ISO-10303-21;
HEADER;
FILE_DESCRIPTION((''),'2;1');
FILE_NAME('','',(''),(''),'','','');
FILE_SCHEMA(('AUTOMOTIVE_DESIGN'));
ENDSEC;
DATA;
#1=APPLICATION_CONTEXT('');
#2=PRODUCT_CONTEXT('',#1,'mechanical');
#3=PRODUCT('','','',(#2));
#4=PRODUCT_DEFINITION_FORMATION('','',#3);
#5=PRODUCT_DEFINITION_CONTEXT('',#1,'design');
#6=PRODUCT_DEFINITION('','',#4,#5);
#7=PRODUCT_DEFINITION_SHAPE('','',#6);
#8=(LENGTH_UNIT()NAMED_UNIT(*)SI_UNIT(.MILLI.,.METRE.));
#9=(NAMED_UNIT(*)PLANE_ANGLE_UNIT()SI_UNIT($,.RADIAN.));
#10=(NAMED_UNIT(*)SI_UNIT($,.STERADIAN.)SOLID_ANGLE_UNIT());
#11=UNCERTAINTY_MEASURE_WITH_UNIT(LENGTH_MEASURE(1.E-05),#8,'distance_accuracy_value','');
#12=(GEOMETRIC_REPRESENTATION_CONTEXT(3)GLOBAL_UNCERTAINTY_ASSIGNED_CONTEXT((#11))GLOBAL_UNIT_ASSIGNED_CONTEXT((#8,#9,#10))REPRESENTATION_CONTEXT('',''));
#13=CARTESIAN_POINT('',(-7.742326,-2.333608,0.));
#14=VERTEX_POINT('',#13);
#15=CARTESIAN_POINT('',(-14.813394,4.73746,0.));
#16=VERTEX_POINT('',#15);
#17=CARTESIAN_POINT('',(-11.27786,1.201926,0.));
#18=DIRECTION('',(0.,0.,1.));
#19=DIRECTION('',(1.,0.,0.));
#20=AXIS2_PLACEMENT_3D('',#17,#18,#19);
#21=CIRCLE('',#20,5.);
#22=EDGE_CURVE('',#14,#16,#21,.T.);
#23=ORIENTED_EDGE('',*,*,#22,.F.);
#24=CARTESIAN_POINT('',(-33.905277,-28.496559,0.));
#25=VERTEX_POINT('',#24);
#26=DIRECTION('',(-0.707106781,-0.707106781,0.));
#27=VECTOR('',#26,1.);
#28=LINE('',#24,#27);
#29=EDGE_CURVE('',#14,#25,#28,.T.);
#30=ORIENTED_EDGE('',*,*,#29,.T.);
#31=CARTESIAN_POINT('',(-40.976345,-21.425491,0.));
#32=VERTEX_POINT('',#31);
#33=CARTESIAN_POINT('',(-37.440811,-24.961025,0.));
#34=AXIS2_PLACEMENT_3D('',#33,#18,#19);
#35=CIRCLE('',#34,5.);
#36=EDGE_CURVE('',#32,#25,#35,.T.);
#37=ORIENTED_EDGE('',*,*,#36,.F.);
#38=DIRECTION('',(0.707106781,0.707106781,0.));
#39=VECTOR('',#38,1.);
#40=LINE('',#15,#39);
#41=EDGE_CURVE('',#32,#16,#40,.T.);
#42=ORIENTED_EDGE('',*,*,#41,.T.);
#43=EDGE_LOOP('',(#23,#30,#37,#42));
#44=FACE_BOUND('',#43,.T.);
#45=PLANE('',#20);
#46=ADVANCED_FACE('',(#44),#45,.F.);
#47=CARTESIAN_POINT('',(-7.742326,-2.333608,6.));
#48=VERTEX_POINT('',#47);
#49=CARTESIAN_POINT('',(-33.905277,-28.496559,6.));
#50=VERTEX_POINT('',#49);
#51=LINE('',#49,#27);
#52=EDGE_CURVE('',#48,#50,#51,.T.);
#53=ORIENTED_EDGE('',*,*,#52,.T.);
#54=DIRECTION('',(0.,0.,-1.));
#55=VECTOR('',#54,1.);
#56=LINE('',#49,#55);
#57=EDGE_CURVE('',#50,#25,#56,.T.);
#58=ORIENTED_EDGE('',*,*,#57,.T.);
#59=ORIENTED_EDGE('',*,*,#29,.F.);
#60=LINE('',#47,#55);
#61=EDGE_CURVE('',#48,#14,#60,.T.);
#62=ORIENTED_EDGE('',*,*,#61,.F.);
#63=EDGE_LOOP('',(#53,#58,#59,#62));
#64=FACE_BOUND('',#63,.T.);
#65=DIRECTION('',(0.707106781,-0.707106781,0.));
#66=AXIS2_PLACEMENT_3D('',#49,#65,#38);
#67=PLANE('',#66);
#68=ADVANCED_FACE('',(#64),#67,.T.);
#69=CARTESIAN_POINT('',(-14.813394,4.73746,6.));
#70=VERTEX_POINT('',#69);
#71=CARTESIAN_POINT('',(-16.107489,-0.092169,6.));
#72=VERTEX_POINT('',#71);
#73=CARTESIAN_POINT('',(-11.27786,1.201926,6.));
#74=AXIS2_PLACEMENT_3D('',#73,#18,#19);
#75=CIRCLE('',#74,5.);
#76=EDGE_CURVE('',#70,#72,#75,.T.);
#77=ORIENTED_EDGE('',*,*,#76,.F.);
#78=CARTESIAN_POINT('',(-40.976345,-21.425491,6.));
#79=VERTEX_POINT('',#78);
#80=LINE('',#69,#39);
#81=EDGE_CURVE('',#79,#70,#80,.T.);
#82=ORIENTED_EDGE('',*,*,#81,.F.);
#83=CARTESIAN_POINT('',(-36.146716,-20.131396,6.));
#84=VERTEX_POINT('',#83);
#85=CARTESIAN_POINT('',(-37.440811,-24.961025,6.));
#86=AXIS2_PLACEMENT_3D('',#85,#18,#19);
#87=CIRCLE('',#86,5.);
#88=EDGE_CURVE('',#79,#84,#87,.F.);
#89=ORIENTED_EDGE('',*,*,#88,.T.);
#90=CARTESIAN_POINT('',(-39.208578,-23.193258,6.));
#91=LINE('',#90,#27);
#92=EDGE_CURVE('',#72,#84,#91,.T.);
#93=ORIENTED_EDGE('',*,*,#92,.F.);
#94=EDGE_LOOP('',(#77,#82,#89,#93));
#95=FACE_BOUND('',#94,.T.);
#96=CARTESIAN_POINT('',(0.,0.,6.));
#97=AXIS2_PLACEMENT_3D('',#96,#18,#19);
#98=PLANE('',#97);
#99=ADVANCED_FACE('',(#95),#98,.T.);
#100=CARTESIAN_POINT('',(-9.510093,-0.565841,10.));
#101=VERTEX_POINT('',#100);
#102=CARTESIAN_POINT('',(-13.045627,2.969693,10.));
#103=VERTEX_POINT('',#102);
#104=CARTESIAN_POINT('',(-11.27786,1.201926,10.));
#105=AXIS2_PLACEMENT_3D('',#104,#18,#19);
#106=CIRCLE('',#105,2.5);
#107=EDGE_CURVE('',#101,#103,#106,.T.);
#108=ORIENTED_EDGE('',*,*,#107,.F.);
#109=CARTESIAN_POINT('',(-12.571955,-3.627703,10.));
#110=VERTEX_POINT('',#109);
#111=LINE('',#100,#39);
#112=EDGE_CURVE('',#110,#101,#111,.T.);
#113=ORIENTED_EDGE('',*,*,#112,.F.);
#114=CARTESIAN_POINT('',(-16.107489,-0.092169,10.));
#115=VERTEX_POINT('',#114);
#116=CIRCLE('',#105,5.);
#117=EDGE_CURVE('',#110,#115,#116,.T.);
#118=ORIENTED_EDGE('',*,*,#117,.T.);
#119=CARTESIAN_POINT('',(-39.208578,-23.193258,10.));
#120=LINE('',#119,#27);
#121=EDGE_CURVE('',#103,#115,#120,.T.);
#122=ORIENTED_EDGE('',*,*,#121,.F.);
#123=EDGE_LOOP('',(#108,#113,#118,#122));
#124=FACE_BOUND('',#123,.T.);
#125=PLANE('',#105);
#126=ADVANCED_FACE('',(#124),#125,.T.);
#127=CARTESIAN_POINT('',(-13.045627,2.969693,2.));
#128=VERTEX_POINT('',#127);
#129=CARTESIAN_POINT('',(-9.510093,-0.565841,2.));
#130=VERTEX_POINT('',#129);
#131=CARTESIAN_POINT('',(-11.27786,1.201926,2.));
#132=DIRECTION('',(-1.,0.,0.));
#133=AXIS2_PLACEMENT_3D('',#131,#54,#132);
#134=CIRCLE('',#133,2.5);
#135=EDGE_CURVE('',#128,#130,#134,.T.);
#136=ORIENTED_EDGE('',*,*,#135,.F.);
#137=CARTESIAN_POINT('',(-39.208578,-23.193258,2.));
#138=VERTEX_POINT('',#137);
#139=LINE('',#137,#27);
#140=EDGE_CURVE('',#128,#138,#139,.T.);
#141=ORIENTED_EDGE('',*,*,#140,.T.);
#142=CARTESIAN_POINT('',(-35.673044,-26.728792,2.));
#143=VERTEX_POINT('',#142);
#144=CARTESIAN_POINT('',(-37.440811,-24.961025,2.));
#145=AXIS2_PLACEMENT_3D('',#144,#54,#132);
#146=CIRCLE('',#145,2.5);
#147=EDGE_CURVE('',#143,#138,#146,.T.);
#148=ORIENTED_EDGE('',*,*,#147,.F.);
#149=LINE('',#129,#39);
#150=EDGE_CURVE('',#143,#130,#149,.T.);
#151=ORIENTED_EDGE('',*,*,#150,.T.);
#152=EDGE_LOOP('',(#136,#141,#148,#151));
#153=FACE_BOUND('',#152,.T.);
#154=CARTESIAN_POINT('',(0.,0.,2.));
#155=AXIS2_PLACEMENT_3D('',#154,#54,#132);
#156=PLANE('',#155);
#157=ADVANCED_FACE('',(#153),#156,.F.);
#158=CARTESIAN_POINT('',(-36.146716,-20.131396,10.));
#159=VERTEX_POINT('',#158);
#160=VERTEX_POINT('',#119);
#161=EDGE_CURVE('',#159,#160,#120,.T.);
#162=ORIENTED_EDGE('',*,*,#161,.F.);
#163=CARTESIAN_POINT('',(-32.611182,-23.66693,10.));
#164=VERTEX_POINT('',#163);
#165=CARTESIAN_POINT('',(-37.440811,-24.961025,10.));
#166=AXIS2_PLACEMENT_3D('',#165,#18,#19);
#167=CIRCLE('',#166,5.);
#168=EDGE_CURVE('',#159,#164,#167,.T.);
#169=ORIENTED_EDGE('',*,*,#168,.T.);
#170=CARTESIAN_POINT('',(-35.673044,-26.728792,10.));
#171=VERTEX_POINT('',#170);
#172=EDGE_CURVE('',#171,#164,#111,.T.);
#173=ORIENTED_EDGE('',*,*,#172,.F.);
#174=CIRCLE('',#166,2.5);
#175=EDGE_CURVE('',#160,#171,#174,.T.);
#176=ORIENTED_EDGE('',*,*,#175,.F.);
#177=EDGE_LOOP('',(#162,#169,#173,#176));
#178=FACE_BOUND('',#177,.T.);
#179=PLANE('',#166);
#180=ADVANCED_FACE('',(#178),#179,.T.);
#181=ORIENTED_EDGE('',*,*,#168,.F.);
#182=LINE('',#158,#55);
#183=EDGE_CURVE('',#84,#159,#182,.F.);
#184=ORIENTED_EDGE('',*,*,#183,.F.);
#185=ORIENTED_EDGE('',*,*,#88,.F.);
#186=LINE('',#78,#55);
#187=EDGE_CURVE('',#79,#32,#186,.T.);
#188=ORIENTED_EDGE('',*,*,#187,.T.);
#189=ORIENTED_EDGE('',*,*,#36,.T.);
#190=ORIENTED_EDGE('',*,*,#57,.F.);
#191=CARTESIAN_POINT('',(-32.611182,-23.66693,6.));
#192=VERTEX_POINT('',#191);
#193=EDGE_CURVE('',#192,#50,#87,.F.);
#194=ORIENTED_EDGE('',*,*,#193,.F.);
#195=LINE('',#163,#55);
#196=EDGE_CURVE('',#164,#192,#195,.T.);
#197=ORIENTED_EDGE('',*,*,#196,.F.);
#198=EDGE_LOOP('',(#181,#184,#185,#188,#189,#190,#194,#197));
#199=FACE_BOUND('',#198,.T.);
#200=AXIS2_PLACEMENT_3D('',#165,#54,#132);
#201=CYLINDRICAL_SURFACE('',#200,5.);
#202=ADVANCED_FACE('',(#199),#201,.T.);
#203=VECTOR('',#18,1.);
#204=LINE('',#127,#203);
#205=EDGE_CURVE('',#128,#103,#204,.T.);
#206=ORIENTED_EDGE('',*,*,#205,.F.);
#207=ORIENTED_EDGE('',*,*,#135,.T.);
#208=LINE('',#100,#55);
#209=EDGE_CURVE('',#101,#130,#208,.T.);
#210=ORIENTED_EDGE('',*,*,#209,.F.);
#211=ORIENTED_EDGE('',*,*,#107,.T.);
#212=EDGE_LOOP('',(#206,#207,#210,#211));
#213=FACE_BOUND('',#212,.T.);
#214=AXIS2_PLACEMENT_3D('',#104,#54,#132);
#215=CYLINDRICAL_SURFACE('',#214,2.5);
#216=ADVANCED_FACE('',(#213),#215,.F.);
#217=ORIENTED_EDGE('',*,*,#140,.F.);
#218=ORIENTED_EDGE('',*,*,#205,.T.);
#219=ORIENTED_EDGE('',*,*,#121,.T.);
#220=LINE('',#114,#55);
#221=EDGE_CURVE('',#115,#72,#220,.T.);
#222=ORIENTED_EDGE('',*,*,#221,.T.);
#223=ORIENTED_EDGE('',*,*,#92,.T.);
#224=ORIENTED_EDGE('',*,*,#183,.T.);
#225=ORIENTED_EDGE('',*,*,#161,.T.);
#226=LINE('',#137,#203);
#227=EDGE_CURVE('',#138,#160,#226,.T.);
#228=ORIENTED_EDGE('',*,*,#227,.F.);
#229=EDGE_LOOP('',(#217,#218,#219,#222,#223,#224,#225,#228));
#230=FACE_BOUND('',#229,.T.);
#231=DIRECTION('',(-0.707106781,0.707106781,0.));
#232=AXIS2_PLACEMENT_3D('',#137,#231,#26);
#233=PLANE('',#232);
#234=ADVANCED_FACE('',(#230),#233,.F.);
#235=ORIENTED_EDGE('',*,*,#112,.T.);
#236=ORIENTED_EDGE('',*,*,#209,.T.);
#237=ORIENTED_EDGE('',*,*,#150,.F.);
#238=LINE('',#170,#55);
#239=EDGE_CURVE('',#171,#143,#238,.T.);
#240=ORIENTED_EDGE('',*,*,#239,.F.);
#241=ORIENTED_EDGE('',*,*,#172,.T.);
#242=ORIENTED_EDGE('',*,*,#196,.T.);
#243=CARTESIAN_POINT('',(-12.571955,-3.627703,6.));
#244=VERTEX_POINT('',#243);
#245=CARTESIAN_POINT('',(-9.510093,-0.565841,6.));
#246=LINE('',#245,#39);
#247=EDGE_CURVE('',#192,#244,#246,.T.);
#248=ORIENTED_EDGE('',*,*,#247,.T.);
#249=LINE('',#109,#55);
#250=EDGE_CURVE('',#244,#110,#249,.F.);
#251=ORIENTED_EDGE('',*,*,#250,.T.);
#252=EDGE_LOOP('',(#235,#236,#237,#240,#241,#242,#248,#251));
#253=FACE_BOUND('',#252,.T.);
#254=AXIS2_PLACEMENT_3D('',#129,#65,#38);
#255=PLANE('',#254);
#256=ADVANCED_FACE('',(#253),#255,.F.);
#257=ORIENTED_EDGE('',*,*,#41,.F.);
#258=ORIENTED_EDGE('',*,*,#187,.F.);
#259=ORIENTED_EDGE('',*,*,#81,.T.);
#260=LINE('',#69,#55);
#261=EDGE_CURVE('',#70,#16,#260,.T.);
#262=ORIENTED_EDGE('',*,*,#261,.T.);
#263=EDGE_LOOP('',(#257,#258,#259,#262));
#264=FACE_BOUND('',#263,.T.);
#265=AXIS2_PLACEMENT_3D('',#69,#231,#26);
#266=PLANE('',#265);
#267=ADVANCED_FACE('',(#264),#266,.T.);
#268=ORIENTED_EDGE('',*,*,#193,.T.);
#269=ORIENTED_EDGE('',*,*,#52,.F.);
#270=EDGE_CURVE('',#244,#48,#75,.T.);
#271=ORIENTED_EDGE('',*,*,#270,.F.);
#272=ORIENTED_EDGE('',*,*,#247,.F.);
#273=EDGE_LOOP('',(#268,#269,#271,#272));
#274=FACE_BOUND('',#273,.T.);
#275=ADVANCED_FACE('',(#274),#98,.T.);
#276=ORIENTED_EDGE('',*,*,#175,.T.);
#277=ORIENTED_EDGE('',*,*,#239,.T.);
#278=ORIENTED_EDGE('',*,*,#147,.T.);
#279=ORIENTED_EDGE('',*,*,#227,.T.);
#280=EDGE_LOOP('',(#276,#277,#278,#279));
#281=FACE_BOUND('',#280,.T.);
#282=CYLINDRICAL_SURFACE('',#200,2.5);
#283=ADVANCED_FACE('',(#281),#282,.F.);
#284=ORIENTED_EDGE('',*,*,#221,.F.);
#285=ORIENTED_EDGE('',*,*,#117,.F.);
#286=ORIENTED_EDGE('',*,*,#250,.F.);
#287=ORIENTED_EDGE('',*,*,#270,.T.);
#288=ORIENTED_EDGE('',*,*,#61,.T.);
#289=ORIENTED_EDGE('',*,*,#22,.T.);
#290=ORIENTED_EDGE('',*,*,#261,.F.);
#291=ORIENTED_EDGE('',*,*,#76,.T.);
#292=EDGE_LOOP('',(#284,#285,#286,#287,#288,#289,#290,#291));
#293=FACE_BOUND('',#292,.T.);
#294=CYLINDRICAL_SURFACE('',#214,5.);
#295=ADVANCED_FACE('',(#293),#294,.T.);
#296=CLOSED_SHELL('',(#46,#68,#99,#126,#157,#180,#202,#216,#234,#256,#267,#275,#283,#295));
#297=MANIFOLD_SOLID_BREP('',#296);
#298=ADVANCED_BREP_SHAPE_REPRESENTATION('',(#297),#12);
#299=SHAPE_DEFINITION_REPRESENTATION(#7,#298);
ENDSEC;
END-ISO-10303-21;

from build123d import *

# Parameters (mm, degrees)
SKETCH_1_R          = 5
SKETCH_1_R_2        = 2.5
EXTRUDE_1_DEPTH     = 10
EXTRUDE_1_2_DEPTH   = 10
EXTRUDE_2_DEPTH     = 6
CUT_EXTRUDE_1_DEPTH = 4
SKETCH_5_R          = 2.5
EXTRUDE_3_DEPTH     = 2
CUT_EXTRUDE_2_DEPTH = 4


with BuildPart() as part:
    # Эскиз1 → Бобышка-Вытянуть1 (new body)
    with BuildSketch(Plane.XY):
        with Locations((-11.277859903, 1.201925786)):
            Circle(SKETCH_1_R)
        with Locations((-11.277859903, 1.201925786)):
            Circle(SKETCH_1_R_2, mode=Mode.SUBTRACT)
    extrude(amount=EXTRUDE_1_DEPTH)



with BuildPart() as body_2:
    # Эскиз1 → Extrude 1 2 (new body)
    with BuildSketch(Plane.XY):
        with Locations((-37.440810807, -24.961025118)):
            Circle(SKETCH_1_R)
        with Locations((-37.440810807, -24.961025118)):
            Circle(SKETCH_1_R_2, mode=Mode.SUBTRACT)
    extrude(amount=EXTRUDE_1_2_DEPTH)


with BuildPart() as part_1:
    add(part.part)

    add(body_2.part)  # Бобышка-Вытянуть2 merges body 2
    # Эскиз3 → Бобышка-Вытянуть2 (add)
    with BuildSketch(Plane(origin=(0, 0, 0), x_dir=(-1, 0, 0), z_dir=(0, 0, -1))):
        Polygon((11.277859903, 1.201925786), (14.813393809, 4.737459692), (40.976344713, -21.425491212), (33.905276901, -28.496559024), (7.742325997, -2.33360812), align=None)
    extrude(amount=-EXTRUDE_2_DEPTH)

    # Эскиз4 → Вырез-Вытянуть1 (cut)
    with BuildSketch(Plane.XY.offset(6)):
        Polygon((-13.045626856, 2.969692739), (-9.51009295, -0.565841167), (-35.673043854, -26.728792071), (-39.20857776, -23.193258165), align=None)
    extrude(amount=-CUT_EXTRUDE_1_DEPTH, mode=Mode.SUBTRACT)

    # Эскиз5 → Бобышка-Вытянуть3 (add)
    with BuildSketch(Plane(origin=(0, 0, 0), x_dir=(-1, 0, 0), z_dir=(0, 0, -1))):
        with Locations((11.277859903, 1.201925786)):
            Circle(SKETCH_5_R)
        with Locations((37.440810807, -24.961025118)):
            Circle(SKETCH_5_R)
    extrude(amount=-EXTRUDE_3_DEPTH)

    # Эскиз4<2> → Вырез-Вытянуть2 (cut)
    with BuildSketch(Plane.XY.offset(6)):
        Polygon((-13.045626856, 2.969692739), (-9.51009295, -0.565841167), (-35.673043854, -26.728792071), (-39.20857776, -23.193258165), align=None)
    extrude(amount=CUT_EXTRUDE_2_DEPTH, mode=Mode.SUBTRACT)


solid = part_1.part
